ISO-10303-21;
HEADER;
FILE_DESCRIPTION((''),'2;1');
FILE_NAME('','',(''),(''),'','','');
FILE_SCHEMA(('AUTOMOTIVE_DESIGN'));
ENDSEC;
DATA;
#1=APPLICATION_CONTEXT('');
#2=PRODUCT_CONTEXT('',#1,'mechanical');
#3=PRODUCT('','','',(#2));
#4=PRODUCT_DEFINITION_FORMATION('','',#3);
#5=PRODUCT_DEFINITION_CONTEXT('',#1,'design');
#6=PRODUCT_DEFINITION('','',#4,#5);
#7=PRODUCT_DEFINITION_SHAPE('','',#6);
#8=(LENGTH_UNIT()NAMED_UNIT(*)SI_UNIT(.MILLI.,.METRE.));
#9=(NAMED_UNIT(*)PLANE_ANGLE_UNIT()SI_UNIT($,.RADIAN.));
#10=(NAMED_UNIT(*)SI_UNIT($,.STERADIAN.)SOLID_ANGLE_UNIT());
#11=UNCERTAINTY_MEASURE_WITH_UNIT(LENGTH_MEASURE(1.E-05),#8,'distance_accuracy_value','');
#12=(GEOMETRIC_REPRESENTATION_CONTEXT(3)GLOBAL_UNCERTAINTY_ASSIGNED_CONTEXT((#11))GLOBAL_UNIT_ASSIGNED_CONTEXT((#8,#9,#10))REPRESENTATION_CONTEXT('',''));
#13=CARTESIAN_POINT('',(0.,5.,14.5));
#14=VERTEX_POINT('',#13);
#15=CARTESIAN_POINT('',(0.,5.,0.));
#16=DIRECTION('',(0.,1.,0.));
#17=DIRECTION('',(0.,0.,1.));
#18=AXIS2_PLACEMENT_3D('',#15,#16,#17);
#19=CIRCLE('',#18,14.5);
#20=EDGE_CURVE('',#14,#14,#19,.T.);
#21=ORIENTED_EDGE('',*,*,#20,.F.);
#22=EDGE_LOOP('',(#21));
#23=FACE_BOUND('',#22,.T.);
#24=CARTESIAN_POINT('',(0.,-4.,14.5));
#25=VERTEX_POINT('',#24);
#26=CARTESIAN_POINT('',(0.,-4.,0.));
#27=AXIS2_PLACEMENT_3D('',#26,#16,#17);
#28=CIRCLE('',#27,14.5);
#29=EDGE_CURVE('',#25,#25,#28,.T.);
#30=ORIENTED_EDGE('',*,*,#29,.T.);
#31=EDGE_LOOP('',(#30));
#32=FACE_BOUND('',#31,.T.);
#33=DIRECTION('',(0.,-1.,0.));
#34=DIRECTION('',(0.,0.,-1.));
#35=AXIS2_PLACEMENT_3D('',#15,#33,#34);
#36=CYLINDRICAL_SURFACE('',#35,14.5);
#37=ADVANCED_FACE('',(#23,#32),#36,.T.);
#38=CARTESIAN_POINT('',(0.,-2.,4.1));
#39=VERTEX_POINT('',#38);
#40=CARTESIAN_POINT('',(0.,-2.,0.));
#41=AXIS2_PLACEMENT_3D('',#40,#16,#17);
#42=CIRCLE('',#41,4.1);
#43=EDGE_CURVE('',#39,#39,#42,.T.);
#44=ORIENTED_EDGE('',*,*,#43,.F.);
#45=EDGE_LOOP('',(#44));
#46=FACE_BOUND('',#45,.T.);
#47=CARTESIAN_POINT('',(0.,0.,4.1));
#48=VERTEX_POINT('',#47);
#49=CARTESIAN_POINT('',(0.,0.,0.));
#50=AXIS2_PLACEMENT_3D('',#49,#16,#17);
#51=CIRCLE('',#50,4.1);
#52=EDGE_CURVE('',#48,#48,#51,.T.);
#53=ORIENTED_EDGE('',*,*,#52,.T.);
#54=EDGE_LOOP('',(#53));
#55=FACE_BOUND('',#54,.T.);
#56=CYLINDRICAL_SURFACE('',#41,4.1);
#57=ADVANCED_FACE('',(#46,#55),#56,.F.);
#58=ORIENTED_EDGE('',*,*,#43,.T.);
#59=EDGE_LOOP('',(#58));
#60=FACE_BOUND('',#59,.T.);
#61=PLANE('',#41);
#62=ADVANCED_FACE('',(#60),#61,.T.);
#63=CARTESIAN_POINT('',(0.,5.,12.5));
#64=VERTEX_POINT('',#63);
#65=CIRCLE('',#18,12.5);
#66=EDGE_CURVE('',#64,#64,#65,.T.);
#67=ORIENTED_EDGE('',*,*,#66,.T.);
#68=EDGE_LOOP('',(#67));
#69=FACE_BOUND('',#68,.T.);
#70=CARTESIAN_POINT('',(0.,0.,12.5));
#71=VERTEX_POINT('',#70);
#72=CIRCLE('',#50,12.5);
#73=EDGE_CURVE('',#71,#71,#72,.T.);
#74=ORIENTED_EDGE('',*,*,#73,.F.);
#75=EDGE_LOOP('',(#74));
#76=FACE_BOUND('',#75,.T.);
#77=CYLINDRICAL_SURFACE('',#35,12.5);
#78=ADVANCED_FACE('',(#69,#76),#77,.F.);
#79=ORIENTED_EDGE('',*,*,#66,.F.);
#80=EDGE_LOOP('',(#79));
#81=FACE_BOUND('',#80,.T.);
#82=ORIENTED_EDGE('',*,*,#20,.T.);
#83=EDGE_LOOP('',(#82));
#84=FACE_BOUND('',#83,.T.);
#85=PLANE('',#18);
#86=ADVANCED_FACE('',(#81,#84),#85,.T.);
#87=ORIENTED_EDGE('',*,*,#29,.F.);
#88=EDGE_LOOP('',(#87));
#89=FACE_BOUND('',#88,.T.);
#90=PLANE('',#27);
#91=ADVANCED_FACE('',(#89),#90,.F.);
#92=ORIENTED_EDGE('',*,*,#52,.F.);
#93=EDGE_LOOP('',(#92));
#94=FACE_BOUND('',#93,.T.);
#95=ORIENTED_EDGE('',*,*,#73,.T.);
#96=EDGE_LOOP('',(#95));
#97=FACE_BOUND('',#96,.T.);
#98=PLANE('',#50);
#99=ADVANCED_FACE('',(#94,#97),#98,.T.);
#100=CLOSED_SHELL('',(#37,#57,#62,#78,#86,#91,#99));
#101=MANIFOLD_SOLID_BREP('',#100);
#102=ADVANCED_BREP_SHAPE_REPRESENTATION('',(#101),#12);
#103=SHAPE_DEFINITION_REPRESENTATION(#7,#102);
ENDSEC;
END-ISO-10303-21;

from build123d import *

# Parameters (mm, degrees)
SKETCH2_R           = 14.5
SKETCH2_R_2         = 12.5
BOSS_EXTRUDE1_DEPTH = 5
BOSS_EXTRUDE2_START = -4
SKETCH2_3_R         = 14.5
BOSS_EXTRUDE2_DEPTH = 4
SKETCH3_R           = 4.1
CUT_EXTRUDE1_DEPTH  = 2


with BuildPart() as part:
    # Sketch2 → Boss-Extrude1 (new body)
    with BuildSketch(Plane(origin=(0, 0, 0), x_dir=(1, 0, 0), z_dir=(0, 1, 0))):
        Circle(SKETCH2_R)
        Circle(SKETCH2_R_2, mode=Mode.SUBTRACT)
    extrude(amount=BOSS_EXTRUDE1_DEPTH)

    # Sketch2<3> → Boss-Extrude2 (add)
    with BuildSketch(Plane(origin=(0, 0, 0), x_dir=(1, 0, 0), z_dir=(0, 1, 0)).offset(BOSS_EXTRUDE2_START)):
        Circle(SKETCH2_3_R)
    extrude(amount=BOSS_EXTRUDE2_DEPTH)

    # Sketch3 → Cut-Extrude1 (cut)
    with BuildSketch(Plane(origin=(0, 0, 0), x_dir=(1, 0, 0), z_dir=(0, 1, 0))):
        Circle(SKETCH3_R)
    extrude(amount=-CUT_EXTRUDE1_DEPTH, mode=Mode.SUBTRACT)


solid = part.part
